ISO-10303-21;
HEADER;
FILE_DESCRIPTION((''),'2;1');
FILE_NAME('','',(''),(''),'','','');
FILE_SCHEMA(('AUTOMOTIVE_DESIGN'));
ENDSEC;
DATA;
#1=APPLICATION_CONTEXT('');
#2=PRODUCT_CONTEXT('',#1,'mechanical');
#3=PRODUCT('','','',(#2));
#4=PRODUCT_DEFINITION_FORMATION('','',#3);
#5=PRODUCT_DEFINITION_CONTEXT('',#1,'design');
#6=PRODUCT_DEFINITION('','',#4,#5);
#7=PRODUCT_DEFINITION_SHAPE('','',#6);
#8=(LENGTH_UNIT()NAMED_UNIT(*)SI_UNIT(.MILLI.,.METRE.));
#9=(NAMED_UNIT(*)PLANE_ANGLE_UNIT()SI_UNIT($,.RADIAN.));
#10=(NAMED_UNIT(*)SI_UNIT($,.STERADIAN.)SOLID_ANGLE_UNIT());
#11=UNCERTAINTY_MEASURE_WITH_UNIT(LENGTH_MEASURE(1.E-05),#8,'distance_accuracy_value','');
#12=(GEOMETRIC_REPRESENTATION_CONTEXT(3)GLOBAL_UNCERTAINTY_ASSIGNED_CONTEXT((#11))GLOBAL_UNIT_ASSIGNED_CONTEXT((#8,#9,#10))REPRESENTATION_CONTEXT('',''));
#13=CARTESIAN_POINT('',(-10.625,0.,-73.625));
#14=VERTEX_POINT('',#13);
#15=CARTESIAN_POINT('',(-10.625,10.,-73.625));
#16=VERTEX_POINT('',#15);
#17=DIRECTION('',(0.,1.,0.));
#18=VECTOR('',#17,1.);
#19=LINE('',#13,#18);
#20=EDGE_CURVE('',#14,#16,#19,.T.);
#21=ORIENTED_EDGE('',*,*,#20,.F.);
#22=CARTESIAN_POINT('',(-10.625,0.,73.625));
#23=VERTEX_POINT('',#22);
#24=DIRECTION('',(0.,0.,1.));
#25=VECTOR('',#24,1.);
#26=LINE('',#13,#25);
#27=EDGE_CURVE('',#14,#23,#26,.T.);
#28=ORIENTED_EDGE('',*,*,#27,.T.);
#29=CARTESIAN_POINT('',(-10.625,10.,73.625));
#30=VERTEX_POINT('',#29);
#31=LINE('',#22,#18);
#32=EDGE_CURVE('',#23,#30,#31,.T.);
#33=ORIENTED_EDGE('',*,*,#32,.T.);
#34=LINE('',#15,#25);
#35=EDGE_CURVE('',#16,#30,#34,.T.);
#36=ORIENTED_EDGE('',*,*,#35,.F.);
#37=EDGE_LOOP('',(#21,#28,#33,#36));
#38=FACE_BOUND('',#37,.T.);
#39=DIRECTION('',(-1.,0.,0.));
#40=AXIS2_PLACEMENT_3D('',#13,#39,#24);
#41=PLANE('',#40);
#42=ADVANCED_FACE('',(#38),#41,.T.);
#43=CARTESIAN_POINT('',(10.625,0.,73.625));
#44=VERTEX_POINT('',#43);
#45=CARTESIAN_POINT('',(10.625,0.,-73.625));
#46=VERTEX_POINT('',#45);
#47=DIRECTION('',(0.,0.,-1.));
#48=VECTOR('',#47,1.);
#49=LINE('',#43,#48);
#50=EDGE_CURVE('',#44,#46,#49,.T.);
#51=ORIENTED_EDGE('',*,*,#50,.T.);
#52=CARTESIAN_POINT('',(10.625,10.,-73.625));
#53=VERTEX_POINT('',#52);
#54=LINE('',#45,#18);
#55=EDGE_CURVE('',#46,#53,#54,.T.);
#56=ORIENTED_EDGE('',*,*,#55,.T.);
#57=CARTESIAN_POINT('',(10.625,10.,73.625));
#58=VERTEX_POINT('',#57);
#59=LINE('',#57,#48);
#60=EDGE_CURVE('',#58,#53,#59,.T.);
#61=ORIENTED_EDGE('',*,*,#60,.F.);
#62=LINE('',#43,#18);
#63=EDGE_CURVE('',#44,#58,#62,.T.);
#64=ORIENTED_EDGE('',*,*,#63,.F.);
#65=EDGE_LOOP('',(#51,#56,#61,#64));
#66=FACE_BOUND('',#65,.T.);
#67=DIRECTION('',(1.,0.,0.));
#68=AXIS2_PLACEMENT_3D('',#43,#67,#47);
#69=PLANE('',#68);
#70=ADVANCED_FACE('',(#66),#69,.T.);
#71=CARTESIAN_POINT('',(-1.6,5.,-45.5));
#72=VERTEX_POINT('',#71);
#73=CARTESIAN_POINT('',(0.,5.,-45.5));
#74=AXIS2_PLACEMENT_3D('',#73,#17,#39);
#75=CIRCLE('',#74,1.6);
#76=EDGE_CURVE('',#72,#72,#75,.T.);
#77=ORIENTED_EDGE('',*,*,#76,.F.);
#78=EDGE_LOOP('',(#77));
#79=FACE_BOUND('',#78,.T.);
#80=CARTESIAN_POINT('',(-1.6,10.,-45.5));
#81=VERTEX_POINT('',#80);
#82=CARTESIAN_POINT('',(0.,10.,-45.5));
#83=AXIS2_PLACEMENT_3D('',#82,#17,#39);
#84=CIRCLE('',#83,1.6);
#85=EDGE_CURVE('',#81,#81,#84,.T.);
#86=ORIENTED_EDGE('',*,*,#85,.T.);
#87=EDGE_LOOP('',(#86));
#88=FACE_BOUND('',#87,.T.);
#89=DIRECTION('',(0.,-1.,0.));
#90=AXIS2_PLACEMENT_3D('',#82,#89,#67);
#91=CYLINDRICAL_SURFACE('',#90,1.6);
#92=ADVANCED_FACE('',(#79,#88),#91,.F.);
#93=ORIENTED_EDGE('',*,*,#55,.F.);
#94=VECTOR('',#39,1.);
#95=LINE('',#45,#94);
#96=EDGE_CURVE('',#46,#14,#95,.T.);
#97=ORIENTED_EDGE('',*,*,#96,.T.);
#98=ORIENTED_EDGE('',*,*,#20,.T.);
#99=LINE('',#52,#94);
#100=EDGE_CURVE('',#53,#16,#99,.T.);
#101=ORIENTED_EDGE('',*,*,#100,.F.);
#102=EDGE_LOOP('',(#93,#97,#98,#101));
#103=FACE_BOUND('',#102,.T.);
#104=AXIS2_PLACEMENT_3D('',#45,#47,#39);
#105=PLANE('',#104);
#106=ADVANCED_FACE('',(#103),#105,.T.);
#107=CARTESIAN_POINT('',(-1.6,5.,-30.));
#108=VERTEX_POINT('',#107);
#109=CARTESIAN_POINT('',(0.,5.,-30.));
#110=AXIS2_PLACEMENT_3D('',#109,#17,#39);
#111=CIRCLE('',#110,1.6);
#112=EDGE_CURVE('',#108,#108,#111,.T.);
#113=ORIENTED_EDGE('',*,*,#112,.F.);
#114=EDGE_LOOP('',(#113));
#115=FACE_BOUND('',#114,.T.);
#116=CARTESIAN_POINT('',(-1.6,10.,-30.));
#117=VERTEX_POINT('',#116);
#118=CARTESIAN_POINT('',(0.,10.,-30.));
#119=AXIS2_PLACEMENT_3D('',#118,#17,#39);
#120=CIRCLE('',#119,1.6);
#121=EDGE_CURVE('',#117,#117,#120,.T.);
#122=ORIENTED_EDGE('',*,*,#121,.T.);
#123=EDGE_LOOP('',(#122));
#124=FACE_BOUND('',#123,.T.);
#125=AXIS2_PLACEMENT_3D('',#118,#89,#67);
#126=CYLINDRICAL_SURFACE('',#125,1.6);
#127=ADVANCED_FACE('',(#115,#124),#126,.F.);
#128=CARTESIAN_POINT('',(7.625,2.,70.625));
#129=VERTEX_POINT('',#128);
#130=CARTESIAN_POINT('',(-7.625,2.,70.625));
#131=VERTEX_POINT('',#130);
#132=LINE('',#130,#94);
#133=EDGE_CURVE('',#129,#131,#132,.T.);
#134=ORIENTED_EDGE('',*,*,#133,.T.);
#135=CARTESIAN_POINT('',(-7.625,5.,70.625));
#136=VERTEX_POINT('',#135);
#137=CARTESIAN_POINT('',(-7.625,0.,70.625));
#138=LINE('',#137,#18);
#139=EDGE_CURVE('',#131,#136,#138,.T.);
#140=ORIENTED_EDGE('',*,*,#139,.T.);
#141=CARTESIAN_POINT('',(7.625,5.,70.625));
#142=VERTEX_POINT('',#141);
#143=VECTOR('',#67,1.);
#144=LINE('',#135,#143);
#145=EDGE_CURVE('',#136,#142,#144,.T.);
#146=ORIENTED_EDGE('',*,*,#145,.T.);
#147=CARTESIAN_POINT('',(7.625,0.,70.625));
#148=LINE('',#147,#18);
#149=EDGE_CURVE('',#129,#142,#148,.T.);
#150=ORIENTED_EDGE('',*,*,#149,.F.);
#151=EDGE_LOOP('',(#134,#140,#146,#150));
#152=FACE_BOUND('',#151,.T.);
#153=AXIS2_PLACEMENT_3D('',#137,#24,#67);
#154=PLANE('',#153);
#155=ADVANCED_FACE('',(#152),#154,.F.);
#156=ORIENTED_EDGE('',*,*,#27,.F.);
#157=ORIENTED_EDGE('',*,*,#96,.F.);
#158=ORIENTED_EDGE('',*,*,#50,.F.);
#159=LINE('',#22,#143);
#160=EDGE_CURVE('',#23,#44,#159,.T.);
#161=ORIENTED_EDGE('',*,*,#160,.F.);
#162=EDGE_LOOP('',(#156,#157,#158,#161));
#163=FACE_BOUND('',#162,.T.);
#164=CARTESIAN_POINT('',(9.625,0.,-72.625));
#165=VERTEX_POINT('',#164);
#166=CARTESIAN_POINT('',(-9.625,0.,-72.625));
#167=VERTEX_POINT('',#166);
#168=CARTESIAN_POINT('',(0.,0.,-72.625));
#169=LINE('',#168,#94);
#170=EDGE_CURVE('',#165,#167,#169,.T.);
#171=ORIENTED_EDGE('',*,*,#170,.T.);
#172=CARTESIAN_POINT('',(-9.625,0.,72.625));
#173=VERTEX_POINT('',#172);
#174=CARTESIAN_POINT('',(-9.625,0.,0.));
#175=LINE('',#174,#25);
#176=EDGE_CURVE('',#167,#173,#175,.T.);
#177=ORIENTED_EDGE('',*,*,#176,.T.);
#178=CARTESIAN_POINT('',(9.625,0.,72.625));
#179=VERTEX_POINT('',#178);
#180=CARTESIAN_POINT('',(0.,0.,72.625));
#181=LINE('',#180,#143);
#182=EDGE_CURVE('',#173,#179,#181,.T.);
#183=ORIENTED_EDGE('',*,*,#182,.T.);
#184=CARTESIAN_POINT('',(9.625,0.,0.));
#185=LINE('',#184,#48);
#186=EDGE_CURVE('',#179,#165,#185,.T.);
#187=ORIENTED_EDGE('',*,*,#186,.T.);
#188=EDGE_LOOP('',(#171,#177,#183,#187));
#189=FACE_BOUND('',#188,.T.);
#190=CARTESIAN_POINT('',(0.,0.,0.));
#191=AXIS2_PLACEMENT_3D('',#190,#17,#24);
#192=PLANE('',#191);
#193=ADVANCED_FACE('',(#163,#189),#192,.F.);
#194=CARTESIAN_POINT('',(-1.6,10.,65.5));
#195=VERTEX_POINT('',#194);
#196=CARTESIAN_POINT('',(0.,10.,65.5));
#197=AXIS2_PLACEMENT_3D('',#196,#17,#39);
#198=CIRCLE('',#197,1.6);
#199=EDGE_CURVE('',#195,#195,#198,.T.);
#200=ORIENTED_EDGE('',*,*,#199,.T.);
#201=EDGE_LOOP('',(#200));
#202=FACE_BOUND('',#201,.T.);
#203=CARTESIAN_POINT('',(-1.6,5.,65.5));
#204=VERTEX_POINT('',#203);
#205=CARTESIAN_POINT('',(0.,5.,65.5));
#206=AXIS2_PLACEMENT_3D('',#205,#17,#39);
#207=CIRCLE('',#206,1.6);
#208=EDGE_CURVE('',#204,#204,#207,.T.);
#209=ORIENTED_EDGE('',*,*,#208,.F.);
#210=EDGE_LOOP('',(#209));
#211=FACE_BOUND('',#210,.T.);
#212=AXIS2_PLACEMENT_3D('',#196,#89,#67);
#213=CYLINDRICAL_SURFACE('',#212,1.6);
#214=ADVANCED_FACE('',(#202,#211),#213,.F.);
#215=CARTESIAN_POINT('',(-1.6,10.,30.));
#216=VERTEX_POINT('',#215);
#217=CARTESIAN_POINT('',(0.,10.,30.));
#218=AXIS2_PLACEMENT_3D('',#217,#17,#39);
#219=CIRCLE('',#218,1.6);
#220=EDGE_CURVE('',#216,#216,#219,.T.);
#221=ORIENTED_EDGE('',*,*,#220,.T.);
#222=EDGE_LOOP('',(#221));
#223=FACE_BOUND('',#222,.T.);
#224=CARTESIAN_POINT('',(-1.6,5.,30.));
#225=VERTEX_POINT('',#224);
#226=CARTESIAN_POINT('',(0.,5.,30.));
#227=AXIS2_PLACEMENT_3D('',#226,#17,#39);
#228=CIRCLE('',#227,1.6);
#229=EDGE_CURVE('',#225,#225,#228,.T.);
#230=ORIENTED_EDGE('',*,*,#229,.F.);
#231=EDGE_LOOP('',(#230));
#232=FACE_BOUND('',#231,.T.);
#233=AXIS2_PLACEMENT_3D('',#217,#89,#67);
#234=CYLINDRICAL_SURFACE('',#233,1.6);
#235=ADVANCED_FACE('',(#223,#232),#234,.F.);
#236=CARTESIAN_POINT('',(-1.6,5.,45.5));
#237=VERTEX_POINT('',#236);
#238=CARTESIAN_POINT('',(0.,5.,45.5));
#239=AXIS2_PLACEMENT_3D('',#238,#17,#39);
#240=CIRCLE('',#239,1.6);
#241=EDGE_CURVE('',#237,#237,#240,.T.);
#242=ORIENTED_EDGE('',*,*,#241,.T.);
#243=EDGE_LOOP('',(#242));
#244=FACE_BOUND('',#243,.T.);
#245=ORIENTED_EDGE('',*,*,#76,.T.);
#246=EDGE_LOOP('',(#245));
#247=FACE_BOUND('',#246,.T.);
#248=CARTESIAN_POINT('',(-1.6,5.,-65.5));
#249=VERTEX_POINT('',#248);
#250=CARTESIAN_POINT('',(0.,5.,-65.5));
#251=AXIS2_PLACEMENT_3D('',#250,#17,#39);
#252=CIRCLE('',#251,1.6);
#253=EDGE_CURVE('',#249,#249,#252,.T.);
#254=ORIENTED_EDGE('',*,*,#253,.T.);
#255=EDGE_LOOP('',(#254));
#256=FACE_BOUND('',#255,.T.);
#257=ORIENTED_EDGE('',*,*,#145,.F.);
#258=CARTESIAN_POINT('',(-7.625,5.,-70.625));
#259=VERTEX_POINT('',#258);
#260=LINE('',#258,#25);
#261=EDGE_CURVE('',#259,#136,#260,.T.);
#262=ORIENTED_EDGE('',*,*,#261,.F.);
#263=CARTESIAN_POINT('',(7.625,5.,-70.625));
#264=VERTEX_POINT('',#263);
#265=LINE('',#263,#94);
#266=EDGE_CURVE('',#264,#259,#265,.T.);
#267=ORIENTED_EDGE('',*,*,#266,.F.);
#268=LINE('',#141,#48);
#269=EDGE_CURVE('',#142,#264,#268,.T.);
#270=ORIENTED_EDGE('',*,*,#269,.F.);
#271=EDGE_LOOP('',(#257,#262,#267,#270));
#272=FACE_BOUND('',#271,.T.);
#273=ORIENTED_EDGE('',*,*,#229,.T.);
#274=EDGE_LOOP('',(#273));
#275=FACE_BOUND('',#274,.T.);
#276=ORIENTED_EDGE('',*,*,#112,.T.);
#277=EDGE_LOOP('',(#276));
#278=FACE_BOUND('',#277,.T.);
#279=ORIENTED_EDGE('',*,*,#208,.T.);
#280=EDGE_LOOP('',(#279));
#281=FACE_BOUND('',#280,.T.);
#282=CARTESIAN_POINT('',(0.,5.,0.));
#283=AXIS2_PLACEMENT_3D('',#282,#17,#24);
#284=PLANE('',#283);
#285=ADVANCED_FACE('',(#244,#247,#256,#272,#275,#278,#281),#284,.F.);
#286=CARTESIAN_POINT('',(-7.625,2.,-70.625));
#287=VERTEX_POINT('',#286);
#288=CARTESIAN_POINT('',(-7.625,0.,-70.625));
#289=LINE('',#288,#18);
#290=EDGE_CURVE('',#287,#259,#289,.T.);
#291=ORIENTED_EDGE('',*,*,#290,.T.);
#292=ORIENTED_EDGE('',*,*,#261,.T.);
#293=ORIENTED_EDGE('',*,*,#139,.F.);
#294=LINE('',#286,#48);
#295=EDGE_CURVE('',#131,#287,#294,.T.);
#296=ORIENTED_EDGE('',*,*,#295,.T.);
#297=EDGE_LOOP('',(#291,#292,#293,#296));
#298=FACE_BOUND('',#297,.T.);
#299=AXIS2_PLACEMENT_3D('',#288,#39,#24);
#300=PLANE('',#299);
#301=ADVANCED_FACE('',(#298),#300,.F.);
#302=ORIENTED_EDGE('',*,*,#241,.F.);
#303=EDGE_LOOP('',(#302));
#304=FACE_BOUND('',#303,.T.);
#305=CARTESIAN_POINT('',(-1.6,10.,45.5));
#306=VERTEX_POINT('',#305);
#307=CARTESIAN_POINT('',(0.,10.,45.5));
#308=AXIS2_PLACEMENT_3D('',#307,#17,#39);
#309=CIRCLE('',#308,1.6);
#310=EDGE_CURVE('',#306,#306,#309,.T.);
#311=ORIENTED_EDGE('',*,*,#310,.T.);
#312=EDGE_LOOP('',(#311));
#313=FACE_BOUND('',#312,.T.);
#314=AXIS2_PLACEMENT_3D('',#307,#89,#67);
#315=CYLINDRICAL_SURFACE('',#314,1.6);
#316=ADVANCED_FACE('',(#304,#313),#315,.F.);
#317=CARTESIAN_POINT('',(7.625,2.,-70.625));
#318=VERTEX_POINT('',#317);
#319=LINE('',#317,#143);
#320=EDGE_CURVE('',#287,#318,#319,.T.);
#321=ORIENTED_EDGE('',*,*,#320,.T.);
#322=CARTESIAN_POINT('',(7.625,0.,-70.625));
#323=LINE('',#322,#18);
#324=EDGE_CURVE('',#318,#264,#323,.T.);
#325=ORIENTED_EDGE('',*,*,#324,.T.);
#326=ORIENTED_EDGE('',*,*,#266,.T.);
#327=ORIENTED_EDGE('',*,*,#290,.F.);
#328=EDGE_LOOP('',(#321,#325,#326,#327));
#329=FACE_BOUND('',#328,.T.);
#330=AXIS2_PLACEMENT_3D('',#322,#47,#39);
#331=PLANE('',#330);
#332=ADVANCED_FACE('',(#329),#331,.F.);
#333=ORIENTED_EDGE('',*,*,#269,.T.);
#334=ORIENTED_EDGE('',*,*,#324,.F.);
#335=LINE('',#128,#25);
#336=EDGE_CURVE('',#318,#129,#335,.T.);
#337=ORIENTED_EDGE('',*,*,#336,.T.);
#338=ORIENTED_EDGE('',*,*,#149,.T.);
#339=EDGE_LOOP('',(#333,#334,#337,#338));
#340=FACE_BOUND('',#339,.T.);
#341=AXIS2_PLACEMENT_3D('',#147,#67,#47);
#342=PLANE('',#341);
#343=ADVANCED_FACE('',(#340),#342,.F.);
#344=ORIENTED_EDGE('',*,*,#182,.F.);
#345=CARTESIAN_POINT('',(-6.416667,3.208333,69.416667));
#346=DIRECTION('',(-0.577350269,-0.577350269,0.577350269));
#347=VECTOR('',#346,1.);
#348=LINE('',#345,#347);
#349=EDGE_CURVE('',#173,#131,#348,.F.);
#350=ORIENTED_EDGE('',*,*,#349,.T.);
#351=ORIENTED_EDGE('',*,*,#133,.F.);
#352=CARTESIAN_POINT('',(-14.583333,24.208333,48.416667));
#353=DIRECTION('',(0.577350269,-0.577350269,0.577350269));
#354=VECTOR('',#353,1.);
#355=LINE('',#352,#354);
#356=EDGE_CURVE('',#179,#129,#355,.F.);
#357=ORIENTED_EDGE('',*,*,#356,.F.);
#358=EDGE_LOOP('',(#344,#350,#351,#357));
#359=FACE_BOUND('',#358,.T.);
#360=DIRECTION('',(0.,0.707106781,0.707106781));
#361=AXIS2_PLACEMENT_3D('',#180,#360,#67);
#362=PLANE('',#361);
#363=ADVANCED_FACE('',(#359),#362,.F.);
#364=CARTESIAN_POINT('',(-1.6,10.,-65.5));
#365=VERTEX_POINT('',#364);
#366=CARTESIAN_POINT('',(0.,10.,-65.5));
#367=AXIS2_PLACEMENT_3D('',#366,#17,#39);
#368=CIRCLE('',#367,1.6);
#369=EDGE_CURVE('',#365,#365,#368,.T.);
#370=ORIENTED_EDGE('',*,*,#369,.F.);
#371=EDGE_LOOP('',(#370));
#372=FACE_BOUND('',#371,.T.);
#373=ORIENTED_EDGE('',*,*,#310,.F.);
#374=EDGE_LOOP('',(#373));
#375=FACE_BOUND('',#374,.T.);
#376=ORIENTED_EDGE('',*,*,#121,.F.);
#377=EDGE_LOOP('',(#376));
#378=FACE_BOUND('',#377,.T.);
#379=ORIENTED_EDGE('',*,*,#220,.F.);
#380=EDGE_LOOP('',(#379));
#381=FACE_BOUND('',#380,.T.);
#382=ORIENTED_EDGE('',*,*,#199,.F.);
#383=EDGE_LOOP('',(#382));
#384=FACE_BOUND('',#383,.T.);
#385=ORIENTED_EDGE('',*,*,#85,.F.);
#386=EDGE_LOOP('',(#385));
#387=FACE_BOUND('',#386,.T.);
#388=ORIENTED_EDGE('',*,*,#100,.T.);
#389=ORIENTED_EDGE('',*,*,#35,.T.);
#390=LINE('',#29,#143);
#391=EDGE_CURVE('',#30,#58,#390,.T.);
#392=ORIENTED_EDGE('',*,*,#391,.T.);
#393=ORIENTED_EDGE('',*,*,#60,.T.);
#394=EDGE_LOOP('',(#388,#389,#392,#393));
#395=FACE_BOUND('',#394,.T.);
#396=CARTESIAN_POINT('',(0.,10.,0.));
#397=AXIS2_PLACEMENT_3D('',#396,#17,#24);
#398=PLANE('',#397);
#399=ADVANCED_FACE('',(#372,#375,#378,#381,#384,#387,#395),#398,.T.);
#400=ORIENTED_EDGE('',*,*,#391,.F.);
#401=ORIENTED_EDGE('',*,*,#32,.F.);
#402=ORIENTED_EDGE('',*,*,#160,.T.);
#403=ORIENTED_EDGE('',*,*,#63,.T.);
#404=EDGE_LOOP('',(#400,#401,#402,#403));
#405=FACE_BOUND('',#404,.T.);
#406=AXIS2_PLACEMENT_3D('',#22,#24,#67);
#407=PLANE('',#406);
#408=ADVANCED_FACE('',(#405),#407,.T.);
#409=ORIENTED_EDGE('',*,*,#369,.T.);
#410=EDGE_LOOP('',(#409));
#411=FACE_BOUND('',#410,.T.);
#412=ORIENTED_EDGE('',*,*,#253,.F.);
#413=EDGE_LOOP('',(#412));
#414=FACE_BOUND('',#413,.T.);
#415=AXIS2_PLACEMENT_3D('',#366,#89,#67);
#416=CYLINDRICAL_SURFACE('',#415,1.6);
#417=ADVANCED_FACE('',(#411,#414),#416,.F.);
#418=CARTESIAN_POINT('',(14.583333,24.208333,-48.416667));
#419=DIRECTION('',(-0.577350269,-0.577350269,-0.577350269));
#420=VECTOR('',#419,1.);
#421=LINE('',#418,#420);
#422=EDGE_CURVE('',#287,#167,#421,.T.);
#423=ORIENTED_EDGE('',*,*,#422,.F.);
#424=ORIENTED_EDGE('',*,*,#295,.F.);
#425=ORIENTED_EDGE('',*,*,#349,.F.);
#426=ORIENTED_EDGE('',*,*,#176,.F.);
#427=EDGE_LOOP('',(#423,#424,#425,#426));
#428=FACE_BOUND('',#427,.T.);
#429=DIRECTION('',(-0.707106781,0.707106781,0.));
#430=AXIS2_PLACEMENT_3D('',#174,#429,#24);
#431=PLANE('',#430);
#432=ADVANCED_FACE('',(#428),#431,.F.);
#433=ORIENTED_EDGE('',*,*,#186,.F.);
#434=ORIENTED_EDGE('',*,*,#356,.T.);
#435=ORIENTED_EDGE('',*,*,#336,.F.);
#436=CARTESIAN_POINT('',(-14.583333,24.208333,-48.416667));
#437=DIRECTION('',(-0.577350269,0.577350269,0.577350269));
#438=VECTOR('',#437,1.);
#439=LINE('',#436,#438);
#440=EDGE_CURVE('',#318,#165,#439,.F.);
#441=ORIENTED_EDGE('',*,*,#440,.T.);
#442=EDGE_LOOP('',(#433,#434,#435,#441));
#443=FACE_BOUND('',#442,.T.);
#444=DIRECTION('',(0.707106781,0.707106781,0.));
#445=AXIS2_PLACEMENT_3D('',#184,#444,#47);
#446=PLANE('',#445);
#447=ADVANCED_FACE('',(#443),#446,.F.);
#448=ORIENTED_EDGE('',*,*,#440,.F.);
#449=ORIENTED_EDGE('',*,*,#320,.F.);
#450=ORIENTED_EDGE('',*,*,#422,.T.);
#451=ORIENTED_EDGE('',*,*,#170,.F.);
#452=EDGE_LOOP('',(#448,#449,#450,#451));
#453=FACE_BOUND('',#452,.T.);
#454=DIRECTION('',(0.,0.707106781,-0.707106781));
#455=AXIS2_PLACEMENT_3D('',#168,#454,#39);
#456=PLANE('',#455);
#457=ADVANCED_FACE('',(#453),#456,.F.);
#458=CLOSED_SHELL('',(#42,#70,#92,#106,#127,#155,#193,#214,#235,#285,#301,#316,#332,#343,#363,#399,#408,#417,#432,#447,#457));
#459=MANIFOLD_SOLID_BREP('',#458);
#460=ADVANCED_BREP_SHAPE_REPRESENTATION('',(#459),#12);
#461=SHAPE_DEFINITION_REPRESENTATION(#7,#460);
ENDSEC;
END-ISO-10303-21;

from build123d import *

# Parameters (mm, degrees)
SKETCH_1_W      = 15.25
SKETCH_1_H      = 141.25
SKETCH_1_R      = 1.6
EXTRUDE_1_DEPTH = 5
SKETCH_2_W      = 21.25
SKETCH_2_H      = 147.25
SKETCH_2_W_2    = 15.25
SKETCH_2_H_2    = 141.25
EXTRUDE_2_DEPTH = 10
CHAMFER_1_SIZE  = 2


with BuildPart() as part:
    # ｽｹｯﾁ1 → ﾎﾞｽ - 押し出し1 (new body)
    with BuildSketch(Plane(origin=(0, 5, 0), x_dir=(1, 0, 0), z_dir=(0, 1, 0))):
        Rectangle(SKETCH_1_W, SKETCH_1_H)
        with Locations(Location((0, -30, 0), (0, 0, 180))):
            Circle(SKETCH_1_R, mode=Mode.SUBTRACT)
        with Locations(Location((0, 65.5, 0), (0, 0, 180))):
            Circle(SKETCH_1_R, mode=Mode.SUBTRACT)
        with Locations(Location((0, 45.5, 0), (0, 0, 180))):
            Circle(SKETCH_1_R, mode=Mode.SUBTRACT)
        with Locations(Location((0, -45.5, 0), (0, 0, 180))):
            Circle(SKETCH_1_R, mode=Mode.SUBTRACT)
        with Locations(Location((0, 30, 0), (0, 0, 180))):
            Circle(SKETCH_1_R, mode=Mode.SUBTRACT)
        with Locations(Location((0, -65.5, 0), (0, 0, 180))):
            Circle(SKETCH_1_R, mode=Mode.SUBTRACT)
    extrude(amount=EXTRUDE_1_DEPTH)

    # ｽｹｯﾁ2 → ﾎﾞｽ - 押し出し2 (add)
    with BuildSketch(Plane(origin=(0, 10, 0), x_dir=(1, 0, 0), z_dir=(0, 1, 0))):
        Rectangle(SKETCH_2_W, SKETCH_2_H)
        Rectangle(SKETCH_2_W_2, SKETCH_2_H_2, mode=Mode.SUBTRACT)
    extrude(amount=-EXTRUDE_2_DEPTH)

    # 面取り1
    chamfer_1_edges = [part.edges().sort_by_distance(p)[0] for p in [
        (-7.625, 0, 0),
        (0, 0, 70.625),
        (7.625, 0, 0),
        (0, 0, -70.625),
    ]]
    chamfer(chamfer_1_edges, length=CHAMFER_1_SIZE)


solid = part.part
